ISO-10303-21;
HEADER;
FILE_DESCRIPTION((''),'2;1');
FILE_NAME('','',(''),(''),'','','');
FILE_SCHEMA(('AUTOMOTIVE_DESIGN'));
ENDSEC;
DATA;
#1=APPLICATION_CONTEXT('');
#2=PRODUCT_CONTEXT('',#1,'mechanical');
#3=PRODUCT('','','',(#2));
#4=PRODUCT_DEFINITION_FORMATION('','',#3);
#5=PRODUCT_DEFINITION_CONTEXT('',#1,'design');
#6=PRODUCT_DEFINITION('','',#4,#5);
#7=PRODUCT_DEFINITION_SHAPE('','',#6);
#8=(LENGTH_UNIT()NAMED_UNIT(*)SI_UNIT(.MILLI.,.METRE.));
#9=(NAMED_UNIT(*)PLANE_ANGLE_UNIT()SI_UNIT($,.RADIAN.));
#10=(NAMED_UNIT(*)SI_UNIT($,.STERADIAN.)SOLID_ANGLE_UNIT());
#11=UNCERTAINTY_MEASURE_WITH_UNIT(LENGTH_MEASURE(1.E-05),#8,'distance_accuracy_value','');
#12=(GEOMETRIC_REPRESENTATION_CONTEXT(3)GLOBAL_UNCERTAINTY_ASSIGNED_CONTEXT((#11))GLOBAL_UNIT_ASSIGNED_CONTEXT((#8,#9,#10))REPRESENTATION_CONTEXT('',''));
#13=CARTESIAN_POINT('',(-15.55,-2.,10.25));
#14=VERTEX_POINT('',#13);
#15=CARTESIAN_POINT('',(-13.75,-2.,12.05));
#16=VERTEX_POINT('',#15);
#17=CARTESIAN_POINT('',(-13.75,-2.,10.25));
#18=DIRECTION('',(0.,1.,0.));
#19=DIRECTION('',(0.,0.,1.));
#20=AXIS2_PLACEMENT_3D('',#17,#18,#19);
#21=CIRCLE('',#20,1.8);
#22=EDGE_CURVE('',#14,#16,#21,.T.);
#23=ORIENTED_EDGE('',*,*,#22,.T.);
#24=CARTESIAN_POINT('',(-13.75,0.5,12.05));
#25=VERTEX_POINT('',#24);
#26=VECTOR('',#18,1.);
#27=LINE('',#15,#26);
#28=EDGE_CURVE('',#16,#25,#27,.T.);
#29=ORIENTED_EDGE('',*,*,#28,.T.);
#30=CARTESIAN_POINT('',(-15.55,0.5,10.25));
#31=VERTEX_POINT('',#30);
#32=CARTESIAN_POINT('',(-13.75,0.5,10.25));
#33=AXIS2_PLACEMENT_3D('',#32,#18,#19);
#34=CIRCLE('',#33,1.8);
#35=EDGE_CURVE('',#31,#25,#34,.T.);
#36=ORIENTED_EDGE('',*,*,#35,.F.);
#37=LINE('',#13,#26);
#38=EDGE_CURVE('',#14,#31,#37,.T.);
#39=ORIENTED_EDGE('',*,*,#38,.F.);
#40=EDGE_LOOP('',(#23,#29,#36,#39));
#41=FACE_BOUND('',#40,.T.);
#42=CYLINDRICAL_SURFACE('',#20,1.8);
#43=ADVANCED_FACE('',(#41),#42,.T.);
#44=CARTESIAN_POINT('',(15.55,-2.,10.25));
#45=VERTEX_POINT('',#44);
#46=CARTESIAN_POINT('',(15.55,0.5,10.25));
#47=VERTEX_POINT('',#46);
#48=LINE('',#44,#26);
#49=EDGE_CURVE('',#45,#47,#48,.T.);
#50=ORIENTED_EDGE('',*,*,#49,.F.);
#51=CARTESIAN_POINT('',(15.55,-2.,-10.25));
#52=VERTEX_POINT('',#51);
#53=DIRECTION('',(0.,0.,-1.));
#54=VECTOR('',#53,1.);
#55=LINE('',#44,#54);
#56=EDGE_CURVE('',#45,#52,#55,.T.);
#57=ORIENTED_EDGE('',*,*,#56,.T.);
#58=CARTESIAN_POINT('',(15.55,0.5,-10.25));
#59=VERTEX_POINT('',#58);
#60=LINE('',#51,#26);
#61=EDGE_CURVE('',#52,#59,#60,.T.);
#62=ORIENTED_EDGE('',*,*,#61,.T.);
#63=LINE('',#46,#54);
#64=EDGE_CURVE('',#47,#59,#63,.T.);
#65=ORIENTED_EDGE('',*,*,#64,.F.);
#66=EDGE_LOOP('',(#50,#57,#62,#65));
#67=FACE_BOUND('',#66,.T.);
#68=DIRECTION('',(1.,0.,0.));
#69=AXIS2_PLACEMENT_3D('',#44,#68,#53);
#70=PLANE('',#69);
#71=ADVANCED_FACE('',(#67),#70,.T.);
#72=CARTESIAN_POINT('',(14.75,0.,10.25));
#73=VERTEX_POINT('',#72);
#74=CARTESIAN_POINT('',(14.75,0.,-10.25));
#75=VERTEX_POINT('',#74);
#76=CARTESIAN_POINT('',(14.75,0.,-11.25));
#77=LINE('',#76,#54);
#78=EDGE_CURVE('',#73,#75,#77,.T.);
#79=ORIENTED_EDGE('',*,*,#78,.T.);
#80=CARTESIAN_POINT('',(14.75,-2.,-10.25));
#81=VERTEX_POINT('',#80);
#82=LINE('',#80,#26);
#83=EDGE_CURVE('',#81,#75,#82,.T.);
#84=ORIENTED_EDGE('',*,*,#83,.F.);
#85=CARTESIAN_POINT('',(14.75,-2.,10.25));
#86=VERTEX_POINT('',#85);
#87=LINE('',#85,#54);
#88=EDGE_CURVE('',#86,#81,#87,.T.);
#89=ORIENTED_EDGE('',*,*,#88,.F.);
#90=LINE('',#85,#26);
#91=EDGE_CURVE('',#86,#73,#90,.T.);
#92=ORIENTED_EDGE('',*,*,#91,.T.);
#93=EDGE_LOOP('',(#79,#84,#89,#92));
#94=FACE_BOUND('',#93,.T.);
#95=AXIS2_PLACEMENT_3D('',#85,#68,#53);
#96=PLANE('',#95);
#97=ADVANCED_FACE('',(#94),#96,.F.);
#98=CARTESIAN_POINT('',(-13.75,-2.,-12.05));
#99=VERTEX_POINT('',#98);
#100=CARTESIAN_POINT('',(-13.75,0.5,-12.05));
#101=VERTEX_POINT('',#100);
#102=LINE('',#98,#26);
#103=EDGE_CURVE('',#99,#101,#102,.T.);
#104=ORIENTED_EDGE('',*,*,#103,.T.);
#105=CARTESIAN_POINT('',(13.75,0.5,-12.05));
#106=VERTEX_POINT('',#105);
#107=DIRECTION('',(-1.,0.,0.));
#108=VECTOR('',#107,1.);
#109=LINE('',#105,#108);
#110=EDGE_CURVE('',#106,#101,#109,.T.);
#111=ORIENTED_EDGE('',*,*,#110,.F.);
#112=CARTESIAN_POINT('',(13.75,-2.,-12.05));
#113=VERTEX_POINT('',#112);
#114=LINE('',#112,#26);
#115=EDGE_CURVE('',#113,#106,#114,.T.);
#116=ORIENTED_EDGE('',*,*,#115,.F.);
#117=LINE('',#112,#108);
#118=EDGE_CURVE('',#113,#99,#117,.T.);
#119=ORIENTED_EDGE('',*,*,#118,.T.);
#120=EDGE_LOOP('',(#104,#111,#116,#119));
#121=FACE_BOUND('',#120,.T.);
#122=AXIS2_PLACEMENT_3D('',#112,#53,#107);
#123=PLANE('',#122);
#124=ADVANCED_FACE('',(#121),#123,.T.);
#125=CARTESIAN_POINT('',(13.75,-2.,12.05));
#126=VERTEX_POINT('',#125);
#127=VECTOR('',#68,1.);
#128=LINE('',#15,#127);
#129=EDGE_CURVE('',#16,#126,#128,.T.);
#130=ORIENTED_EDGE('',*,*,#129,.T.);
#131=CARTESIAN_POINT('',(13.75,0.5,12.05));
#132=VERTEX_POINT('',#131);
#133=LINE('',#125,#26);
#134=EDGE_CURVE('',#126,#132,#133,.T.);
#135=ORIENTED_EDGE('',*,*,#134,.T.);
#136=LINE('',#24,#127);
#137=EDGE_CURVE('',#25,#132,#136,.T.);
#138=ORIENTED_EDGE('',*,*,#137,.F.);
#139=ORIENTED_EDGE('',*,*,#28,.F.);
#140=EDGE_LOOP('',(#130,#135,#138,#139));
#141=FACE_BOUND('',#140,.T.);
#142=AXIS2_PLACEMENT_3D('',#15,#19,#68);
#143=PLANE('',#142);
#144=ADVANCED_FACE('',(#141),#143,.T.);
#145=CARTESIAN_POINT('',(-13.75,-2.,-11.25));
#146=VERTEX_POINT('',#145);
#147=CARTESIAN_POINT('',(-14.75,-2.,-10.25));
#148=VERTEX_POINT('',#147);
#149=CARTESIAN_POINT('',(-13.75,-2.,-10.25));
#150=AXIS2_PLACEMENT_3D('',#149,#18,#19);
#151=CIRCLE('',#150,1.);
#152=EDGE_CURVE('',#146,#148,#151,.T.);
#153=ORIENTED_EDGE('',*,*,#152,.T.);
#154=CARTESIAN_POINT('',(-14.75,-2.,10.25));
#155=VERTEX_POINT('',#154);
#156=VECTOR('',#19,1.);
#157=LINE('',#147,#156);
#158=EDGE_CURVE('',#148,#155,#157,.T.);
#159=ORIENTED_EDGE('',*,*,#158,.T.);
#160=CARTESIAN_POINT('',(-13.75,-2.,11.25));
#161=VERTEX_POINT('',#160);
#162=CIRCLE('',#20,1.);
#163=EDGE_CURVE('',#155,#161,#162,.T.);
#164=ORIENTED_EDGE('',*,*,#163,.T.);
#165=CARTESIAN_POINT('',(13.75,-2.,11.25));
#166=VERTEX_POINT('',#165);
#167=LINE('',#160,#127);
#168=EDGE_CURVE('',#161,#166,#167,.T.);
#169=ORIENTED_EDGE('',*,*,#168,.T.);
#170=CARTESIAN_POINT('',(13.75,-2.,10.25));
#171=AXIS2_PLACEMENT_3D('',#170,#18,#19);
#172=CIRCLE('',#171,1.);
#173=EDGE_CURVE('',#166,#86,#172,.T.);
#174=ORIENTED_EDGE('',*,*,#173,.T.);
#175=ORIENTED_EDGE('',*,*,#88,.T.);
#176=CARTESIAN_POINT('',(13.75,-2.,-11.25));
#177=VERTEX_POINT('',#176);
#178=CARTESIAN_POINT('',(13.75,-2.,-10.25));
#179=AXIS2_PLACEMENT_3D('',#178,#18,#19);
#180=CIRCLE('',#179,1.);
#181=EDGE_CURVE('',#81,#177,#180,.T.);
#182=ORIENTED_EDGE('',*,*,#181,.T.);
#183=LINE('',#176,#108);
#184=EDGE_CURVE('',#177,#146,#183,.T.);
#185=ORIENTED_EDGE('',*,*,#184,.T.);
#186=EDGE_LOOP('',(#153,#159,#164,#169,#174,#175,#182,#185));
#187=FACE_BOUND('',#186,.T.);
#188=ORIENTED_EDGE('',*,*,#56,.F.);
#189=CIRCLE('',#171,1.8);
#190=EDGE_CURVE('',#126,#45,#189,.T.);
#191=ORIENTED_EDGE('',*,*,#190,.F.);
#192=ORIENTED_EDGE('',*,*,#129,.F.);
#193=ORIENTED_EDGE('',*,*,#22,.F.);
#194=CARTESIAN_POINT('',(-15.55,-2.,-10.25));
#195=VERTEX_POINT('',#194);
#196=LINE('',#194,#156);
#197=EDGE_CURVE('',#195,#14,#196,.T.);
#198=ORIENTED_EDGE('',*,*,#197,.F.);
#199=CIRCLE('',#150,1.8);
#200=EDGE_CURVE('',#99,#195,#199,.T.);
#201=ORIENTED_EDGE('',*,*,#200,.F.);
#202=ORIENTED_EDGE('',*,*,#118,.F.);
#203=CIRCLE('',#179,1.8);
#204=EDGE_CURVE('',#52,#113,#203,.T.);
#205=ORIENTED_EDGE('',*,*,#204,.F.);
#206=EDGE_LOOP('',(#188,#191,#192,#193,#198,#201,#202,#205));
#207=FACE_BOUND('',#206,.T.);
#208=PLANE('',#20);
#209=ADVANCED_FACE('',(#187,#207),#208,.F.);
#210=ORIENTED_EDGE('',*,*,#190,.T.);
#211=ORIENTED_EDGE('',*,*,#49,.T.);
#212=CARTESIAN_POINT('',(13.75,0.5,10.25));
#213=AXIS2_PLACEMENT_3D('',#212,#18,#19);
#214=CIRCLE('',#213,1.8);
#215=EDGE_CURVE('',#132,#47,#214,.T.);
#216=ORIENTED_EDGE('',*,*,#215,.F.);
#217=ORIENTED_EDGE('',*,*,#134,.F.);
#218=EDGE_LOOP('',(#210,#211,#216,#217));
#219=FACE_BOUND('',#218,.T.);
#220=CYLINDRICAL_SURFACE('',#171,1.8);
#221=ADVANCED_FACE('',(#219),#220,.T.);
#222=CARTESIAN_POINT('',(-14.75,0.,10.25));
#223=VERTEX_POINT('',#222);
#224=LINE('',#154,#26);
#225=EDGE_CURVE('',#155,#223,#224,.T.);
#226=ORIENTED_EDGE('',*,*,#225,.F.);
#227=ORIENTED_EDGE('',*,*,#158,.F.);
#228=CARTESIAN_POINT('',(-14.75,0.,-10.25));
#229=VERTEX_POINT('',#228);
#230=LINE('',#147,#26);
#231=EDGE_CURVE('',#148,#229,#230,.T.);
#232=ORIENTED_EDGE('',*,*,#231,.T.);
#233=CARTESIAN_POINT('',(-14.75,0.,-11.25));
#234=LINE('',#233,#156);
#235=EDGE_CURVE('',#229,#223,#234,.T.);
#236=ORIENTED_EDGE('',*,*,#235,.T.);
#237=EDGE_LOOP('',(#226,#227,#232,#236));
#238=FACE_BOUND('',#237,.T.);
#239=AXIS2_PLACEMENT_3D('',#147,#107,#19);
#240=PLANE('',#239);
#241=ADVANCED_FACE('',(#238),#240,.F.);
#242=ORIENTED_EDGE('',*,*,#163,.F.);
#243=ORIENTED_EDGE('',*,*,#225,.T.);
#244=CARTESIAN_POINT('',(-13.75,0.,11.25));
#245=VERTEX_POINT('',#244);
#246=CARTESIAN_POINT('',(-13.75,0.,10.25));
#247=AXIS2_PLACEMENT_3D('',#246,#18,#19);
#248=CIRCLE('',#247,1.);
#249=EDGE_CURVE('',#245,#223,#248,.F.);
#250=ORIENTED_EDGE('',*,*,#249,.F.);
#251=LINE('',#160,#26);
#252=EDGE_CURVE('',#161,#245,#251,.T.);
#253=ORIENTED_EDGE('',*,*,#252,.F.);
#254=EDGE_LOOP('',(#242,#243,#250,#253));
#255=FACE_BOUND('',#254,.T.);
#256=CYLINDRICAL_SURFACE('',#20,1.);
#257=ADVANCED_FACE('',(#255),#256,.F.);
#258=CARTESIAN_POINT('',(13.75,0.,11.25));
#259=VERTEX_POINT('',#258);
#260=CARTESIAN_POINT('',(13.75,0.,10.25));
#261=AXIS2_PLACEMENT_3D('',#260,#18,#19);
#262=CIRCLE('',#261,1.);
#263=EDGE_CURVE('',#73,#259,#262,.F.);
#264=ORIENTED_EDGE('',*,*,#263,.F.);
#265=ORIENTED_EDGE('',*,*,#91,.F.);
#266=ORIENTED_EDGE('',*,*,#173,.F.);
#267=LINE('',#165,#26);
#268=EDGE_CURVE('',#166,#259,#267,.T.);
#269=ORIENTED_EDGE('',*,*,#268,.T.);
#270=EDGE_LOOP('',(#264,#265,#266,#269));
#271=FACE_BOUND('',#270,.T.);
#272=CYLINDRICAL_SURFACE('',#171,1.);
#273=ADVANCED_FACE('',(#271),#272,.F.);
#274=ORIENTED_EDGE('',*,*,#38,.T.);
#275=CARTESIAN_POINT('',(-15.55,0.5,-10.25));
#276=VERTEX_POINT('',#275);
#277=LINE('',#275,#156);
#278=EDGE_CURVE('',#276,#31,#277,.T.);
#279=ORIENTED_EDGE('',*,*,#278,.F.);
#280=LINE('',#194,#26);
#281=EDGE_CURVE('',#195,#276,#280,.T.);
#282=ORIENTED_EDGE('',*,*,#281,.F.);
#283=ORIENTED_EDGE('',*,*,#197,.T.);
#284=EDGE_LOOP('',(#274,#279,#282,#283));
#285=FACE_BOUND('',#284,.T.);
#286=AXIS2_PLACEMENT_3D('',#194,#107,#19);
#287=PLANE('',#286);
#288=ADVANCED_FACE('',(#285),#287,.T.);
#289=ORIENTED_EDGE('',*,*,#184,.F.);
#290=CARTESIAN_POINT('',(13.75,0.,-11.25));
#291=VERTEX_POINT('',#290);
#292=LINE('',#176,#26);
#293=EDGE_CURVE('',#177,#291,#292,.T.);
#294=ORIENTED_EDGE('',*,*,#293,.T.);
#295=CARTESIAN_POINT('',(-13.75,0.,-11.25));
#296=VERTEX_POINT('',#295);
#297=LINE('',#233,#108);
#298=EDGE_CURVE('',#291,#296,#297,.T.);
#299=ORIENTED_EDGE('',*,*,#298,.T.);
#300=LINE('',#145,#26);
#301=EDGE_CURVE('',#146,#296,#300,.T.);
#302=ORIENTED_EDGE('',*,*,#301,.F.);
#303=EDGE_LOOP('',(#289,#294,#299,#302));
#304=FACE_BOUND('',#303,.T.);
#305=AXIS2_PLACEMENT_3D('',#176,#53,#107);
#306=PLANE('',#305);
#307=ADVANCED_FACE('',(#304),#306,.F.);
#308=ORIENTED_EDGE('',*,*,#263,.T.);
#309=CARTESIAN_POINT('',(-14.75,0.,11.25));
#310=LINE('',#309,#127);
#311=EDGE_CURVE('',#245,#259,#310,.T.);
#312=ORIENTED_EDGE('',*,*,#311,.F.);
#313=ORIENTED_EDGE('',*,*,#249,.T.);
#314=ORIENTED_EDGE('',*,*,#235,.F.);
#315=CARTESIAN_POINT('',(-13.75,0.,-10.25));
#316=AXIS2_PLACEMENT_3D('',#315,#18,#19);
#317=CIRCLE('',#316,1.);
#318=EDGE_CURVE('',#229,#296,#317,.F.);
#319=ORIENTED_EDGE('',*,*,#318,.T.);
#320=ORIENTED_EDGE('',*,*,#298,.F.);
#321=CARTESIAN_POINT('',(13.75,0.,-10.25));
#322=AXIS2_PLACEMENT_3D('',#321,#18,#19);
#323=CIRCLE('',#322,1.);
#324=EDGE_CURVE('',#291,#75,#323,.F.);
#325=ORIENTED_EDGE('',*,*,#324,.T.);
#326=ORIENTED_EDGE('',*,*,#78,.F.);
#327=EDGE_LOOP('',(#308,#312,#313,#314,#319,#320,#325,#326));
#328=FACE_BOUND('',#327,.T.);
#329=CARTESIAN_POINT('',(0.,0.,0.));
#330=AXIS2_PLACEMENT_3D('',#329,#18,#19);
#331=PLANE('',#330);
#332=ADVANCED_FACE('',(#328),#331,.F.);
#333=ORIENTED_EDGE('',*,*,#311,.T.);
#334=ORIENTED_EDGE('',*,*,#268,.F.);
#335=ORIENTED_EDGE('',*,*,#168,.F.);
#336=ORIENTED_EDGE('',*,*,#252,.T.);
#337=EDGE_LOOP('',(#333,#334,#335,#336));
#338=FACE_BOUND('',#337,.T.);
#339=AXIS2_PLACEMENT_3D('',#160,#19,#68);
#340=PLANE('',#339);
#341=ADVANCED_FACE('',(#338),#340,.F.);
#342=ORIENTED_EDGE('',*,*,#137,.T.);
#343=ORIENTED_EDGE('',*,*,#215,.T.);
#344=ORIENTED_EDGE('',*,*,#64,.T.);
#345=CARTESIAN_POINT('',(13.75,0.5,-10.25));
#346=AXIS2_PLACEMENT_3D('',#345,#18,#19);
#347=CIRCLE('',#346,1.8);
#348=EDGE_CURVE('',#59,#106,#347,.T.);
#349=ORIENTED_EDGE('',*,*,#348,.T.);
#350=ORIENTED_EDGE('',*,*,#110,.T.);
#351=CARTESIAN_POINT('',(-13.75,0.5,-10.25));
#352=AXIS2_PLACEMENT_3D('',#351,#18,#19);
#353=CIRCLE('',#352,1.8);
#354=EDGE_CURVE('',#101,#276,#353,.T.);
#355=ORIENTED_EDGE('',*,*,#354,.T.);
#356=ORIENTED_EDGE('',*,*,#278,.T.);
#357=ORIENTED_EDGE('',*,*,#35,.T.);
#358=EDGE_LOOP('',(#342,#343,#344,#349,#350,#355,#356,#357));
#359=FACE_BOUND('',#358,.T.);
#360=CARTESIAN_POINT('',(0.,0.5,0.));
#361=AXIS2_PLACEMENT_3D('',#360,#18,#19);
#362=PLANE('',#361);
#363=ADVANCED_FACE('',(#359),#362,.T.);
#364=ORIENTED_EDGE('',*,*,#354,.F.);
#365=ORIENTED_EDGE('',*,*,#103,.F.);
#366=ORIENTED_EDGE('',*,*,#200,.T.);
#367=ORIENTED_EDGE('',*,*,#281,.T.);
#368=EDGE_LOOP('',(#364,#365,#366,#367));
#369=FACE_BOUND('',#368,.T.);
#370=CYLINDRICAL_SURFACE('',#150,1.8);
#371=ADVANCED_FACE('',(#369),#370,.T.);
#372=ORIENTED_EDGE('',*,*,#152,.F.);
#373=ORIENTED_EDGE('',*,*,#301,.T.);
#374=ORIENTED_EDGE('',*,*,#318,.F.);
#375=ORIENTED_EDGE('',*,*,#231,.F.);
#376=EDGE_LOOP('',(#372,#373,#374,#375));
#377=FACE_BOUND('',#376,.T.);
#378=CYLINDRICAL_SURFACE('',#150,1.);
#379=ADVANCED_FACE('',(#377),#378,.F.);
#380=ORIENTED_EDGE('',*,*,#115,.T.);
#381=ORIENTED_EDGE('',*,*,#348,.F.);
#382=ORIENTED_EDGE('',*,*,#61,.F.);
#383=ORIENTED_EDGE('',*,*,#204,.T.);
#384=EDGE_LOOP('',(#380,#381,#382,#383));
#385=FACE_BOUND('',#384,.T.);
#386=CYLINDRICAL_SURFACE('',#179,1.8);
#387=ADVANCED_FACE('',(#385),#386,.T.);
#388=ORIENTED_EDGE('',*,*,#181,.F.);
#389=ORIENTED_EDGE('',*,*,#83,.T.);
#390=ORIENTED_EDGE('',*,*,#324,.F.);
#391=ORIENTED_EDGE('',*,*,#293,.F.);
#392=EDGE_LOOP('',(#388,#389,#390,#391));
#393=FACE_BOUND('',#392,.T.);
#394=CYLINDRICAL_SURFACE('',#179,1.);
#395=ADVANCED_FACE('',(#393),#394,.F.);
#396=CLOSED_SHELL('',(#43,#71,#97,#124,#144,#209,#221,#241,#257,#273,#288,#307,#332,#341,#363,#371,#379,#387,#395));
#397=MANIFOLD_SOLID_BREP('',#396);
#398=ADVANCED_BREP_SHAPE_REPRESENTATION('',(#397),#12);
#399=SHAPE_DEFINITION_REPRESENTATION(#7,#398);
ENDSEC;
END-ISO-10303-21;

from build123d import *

# Parameters (mm, degrees)
SKETCH_2_W      = 29.5
SKETCH_2_H      = 22.5
LAYER_DEPTH     = 0.5
FILLET_1_R      = 1
EXTRUDE_1_DEPTH = 2.5


with BuildPart() as part:
    # 草图2 → layer (new body)
    with BuildSketch(Plane(origin=(0, 0, 0), x_dir=(1, 0, 0), z_dir=(0, 1, 0))):
        Rectangle(SKETCH_2_W, SKETCH_2_H)
    extrude(amount=LAYER_DEPTH)

    # 圆角1
    fillet_1_edges = [part.edges().sort_by_distance(p)[0] for p in [
        (14.75, 0.25, 11.25),
        (-14.75, 0.25, 11.25),
        (-14.75, 0.25, -11.25),
        (14.75, 0.25, -11.25),
    ]]
    fillet(fillet_1_edges, radius=FILLET_1_R)

    # 草图4 → 凸台-拉伸1 (add)
    with BuildSketch(Plane(origin=(0, 0.5, 0), x_dir=(1, 0, 0), z_dir=(0, 1, 0))):
        with BuildLine():
            Line((-13.75, -12.05), (13.75, -12.05))
            ThreePointArc((13.75, -12.05), (15.022792206, -11.522792206), (15.55, -10.25))
            Line((15.55, -10.25), (15.55, 10.25))
            ThreePointArc((15.55, 10.25), (15.022792206, 11.522792206), (13.75, 12.05))
            Line((13.75, 12.05), (-13.75, 12.05))
            ThreePointArc((-13.75, 12.05), (-15.022792206, 11.522792206), (-15.55, 10.25))
            Line((-15.55, 10.25), (-15.55, -10.25))
            ThreePointArc((-15.55, -10.25), (-15.022792206, -11.522792206), (-13.75, -12.05))
        make_face()
        with BuildLine():
            Line((-13.75, -11.25), (13.75, -11.25))
            ThreePointArc((13.75, -11.25), (14.457106781, -10.957106781), (14.75, -10.25))
            Line((14.75, -10.25), (14.75, 10.25))
            ThreePointArc((14.75, 10.25), (14.457106781, 10.957106781), (13.75, 11.25))
            Line((13.75, 11.25), (-13.75, 11.25))
            ThreePointArc((-13.75, 11.25), (-14.457106781, 10.957106781), (-14.75, 10.25))
            Line((-14.75, 10.25), (-14.75, -10.25))
            ThreePointArc((-14.75, -10.25), (-14.457106781, -10.957106781), (-13.75, -11.25))
        make_face(mode=Mode.SUBTRACT)
    extrude(amount=-EXTRUDE_1_DEPTH)


solid = part.part
